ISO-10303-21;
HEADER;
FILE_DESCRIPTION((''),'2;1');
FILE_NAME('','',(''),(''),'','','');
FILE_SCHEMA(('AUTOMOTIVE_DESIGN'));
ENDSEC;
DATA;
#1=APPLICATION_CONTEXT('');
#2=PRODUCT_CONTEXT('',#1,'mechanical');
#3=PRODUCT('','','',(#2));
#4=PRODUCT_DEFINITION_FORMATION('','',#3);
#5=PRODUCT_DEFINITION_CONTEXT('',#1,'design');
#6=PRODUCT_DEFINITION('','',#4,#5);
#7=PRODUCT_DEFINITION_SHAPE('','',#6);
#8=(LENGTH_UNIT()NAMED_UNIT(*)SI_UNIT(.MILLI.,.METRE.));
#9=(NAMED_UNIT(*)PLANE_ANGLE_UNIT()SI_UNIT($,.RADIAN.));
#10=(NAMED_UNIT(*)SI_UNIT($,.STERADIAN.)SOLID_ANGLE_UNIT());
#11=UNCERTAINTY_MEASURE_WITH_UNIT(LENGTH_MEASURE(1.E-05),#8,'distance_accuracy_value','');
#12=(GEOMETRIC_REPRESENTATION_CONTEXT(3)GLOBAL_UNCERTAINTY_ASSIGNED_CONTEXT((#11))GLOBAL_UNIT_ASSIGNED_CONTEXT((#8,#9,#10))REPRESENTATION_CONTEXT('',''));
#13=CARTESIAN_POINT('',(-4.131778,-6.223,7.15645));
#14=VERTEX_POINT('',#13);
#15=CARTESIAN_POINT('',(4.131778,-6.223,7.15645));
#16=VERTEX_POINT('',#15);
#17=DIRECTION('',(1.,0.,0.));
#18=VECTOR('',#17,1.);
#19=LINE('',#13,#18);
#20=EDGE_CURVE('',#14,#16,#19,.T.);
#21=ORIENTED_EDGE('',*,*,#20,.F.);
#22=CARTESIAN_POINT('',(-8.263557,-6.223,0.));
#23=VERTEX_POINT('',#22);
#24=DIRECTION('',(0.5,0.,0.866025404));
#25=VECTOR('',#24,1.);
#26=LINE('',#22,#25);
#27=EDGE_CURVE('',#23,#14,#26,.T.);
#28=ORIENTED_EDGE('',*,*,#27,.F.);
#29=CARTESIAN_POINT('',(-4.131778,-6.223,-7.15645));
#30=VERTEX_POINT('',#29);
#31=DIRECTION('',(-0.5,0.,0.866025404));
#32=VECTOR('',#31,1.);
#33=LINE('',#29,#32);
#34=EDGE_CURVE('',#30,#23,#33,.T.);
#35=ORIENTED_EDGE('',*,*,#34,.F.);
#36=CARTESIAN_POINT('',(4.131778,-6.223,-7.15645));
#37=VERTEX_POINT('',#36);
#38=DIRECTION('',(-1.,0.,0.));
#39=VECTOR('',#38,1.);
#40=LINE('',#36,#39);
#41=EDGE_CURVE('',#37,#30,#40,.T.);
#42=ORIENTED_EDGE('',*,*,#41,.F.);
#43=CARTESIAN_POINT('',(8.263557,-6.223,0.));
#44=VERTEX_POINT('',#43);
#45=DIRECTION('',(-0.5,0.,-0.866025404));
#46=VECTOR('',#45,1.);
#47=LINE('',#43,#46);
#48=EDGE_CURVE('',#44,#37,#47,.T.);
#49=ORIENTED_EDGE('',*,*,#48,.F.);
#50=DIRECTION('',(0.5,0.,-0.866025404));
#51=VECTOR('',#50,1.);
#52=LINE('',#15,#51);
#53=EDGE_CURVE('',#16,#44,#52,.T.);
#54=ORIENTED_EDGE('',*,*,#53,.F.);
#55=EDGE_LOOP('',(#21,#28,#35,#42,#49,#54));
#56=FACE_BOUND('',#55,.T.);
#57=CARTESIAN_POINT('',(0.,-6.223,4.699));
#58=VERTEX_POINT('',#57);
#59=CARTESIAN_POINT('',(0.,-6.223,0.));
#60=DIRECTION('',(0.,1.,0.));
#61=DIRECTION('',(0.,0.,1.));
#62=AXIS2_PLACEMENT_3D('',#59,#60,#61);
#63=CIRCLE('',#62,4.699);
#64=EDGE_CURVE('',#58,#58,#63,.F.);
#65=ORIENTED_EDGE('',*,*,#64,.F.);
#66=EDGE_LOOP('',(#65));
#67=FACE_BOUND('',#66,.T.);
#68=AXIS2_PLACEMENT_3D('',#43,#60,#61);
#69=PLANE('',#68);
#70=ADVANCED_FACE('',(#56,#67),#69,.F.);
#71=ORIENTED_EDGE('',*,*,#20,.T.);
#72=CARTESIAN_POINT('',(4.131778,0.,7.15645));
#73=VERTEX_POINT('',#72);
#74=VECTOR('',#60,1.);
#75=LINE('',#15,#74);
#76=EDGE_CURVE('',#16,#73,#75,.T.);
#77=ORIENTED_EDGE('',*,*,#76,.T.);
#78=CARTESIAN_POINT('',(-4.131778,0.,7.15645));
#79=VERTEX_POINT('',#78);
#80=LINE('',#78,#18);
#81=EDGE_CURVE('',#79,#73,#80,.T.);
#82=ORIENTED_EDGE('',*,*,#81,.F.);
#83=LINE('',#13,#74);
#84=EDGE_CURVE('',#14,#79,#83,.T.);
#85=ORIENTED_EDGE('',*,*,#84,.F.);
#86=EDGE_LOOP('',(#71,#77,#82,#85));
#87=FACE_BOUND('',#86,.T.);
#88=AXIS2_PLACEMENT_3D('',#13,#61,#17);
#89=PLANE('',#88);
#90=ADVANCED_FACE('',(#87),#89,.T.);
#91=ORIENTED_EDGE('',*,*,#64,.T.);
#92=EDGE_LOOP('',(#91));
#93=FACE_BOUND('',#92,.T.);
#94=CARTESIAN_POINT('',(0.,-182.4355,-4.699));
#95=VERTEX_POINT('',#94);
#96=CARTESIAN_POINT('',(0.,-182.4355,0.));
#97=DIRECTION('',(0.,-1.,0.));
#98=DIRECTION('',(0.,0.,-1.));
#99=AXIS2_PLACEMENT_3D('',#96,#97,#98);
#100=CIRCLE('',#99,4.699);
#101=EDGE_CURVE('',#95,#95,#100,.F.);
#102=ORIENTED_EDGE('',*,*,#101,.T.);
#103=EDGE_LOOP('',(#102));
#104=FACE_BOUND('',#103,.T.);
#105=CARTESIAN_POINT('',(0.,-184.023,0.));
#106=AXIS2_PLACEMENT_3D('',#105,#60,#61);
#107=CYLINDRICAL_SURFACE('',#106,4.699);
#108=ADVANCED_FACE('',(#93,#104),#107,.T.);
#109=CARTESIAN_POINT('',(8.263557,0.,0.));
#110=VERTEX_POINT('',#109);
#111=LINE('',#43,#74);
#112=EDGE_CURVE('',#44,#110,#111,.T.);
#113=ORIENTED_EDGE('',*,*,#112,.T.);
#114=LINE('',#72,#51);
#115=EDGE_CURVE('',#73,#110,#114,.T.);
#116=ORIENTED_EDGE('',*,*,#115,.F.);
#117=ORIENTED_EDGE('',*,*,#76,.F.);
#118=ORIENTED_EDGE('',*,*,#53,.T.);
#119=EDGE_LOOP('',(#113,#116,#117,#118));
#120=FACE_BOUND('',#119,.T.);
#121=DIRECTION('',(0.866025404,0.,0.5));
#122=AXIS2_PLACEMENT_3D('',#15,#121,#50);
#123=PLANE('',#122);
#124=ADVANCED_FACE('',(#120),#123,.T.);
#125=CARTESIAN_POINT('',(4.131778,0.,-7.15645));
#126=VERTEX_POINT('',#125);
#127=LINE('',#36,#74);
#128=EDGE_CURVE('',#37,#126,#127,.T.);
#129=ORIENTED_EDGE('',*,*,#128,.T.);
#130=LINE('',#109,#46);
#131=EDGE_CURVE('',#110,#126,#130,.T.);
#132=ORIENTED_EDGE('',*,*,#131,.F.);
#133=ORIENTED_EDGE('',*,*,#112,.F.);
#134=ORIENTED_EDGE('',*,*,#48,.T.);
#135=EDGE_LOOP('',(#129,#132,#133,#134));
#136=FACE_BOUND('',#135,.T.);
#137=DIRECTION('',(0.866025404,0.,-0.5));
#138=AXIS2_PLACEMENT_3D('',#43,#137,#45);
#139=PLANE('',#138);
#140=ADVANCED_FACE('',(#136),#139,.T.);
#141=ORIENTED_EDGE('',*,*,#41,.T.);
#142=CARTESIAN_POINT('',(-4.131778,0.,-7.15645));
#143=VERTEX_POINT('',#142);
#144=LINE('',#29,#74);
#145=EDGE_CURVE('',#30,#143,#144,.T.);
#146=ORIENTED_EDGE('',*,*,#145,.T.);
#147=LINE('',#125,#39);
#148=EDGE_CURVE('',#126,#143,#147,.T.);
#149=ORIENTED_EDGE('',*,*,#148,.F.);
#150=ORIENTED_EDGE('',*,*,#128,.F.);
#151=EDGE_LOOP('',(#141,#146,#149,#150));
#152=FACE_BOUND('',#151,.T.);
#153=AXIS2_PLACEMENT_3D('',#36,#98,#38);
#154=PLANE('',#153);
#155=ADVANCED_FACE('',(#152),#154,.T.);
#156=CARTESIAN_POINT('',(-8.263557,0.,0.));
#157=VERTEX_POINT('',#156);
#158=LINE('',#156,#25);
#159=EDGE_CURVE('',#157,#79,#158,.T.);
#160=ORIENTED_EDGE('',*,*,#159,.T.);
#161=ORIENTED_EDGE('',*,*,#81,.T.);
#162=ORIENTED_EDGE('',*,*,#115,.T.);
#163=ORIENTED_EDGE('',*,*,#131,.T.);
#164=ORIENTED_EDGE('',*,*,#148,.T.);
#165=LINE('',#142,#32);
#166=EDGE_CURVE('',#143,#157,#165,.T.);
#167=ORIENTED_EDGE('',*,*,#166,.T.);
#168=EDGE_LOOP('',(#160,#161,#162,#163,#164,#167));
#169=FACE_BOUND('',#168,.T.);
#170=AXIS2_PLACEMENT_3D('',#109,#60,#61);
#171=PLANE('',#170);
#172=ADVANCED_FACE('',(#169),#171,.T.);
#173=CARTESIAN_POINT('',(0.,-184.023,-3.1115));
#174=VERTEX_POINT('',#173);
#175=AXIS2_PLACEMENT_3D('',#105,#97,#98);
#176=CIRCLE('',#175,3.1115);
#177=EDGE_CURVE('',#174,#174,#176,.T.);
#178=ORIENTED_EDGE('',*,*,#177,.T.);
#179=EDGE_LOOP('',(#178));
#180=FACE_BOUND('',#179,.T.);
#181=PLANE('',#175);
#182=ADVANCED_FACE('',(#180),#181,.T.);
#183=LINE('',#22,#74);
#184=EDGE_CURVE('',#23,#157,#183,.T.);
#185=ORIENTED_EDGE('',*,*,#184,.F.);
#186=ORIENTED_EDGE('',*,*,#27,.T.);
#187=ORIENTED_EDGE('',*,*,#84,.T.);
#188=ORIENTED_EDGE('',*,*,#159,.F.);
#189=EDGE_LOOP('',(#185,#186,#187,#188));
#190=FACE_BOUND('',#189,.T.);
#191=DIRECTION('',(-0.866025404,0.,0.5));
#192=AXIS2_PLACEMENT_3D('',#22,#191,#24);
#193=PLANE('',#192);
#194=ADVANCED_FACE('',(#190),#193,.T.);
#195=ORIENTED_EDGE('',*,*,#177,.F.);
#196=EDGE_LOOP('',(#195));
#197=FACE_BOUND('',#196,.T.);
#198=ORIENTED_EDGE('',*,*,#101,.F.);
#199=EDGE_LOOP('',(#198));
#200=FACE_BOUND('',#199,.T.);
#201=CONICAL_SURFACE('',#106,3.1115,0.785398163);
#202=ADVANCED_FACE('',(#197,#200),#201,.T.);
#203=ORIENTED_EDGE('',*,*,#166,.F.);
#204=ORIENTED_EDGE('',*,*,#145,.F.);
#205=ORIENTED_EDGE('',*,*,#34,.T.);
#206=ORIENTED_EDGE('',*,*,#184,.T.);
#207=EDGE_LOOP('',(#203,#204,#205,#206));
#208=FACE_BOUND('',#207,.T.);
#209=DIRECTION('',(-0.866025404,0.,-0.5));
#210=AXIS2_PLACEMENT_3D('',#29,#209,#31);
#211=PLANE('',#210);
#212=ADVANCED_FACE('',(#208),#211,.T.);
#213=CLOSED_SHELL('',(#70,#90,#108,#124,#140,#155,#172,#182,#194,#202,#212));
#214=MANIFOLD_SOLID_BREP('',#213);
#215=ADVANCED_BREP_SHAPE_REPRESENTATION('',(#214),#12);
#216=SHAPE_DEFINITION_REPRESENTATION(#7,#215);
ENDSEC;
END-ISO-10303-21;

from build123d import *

# Parameters (mm, degrees)
EXTRUDE1_DEPTH = 6.223
SKETCH2_R      = 4.699
EXTRUDE2_DEPTH = 177.8
CHAMFER1_SIZE  = 1.5875


with BuildPart() as part:
    # Sketch1 → Extrude1 (new body)
    with BuildSketch(Plane(origin=(0, 0, 0), x_dir=(1, 0, 0), z_dir=(0, 1, 0))):
        Polygon((8.263556668, 0), (4.131778334, 7.15645), (-4.131778334, 7.15645), (-8.263556668, 0), (-4.131778334, -7.15645), (4.131778334, -7.15645), align=None)
    extrude(amount=-EXTRUDE1_DEPTH)

    # Sketch2 → Extrude2 (add)
    with BuildSketch(Plane.XZ.offset(6.223)):
        Circle(SKETCH2_R)
    extrude(amount=EXTRUDE2_DEPTH)

    # Chamfer1
    chamfer1_edges = [part.edges().sort_by_distance(p)[0] for p in [
        (-4.699, -184.023, 0),
    ]]
    chamfer(chamfer1_edges, length=CHAMFER1_SIZE)


solid = part.part
